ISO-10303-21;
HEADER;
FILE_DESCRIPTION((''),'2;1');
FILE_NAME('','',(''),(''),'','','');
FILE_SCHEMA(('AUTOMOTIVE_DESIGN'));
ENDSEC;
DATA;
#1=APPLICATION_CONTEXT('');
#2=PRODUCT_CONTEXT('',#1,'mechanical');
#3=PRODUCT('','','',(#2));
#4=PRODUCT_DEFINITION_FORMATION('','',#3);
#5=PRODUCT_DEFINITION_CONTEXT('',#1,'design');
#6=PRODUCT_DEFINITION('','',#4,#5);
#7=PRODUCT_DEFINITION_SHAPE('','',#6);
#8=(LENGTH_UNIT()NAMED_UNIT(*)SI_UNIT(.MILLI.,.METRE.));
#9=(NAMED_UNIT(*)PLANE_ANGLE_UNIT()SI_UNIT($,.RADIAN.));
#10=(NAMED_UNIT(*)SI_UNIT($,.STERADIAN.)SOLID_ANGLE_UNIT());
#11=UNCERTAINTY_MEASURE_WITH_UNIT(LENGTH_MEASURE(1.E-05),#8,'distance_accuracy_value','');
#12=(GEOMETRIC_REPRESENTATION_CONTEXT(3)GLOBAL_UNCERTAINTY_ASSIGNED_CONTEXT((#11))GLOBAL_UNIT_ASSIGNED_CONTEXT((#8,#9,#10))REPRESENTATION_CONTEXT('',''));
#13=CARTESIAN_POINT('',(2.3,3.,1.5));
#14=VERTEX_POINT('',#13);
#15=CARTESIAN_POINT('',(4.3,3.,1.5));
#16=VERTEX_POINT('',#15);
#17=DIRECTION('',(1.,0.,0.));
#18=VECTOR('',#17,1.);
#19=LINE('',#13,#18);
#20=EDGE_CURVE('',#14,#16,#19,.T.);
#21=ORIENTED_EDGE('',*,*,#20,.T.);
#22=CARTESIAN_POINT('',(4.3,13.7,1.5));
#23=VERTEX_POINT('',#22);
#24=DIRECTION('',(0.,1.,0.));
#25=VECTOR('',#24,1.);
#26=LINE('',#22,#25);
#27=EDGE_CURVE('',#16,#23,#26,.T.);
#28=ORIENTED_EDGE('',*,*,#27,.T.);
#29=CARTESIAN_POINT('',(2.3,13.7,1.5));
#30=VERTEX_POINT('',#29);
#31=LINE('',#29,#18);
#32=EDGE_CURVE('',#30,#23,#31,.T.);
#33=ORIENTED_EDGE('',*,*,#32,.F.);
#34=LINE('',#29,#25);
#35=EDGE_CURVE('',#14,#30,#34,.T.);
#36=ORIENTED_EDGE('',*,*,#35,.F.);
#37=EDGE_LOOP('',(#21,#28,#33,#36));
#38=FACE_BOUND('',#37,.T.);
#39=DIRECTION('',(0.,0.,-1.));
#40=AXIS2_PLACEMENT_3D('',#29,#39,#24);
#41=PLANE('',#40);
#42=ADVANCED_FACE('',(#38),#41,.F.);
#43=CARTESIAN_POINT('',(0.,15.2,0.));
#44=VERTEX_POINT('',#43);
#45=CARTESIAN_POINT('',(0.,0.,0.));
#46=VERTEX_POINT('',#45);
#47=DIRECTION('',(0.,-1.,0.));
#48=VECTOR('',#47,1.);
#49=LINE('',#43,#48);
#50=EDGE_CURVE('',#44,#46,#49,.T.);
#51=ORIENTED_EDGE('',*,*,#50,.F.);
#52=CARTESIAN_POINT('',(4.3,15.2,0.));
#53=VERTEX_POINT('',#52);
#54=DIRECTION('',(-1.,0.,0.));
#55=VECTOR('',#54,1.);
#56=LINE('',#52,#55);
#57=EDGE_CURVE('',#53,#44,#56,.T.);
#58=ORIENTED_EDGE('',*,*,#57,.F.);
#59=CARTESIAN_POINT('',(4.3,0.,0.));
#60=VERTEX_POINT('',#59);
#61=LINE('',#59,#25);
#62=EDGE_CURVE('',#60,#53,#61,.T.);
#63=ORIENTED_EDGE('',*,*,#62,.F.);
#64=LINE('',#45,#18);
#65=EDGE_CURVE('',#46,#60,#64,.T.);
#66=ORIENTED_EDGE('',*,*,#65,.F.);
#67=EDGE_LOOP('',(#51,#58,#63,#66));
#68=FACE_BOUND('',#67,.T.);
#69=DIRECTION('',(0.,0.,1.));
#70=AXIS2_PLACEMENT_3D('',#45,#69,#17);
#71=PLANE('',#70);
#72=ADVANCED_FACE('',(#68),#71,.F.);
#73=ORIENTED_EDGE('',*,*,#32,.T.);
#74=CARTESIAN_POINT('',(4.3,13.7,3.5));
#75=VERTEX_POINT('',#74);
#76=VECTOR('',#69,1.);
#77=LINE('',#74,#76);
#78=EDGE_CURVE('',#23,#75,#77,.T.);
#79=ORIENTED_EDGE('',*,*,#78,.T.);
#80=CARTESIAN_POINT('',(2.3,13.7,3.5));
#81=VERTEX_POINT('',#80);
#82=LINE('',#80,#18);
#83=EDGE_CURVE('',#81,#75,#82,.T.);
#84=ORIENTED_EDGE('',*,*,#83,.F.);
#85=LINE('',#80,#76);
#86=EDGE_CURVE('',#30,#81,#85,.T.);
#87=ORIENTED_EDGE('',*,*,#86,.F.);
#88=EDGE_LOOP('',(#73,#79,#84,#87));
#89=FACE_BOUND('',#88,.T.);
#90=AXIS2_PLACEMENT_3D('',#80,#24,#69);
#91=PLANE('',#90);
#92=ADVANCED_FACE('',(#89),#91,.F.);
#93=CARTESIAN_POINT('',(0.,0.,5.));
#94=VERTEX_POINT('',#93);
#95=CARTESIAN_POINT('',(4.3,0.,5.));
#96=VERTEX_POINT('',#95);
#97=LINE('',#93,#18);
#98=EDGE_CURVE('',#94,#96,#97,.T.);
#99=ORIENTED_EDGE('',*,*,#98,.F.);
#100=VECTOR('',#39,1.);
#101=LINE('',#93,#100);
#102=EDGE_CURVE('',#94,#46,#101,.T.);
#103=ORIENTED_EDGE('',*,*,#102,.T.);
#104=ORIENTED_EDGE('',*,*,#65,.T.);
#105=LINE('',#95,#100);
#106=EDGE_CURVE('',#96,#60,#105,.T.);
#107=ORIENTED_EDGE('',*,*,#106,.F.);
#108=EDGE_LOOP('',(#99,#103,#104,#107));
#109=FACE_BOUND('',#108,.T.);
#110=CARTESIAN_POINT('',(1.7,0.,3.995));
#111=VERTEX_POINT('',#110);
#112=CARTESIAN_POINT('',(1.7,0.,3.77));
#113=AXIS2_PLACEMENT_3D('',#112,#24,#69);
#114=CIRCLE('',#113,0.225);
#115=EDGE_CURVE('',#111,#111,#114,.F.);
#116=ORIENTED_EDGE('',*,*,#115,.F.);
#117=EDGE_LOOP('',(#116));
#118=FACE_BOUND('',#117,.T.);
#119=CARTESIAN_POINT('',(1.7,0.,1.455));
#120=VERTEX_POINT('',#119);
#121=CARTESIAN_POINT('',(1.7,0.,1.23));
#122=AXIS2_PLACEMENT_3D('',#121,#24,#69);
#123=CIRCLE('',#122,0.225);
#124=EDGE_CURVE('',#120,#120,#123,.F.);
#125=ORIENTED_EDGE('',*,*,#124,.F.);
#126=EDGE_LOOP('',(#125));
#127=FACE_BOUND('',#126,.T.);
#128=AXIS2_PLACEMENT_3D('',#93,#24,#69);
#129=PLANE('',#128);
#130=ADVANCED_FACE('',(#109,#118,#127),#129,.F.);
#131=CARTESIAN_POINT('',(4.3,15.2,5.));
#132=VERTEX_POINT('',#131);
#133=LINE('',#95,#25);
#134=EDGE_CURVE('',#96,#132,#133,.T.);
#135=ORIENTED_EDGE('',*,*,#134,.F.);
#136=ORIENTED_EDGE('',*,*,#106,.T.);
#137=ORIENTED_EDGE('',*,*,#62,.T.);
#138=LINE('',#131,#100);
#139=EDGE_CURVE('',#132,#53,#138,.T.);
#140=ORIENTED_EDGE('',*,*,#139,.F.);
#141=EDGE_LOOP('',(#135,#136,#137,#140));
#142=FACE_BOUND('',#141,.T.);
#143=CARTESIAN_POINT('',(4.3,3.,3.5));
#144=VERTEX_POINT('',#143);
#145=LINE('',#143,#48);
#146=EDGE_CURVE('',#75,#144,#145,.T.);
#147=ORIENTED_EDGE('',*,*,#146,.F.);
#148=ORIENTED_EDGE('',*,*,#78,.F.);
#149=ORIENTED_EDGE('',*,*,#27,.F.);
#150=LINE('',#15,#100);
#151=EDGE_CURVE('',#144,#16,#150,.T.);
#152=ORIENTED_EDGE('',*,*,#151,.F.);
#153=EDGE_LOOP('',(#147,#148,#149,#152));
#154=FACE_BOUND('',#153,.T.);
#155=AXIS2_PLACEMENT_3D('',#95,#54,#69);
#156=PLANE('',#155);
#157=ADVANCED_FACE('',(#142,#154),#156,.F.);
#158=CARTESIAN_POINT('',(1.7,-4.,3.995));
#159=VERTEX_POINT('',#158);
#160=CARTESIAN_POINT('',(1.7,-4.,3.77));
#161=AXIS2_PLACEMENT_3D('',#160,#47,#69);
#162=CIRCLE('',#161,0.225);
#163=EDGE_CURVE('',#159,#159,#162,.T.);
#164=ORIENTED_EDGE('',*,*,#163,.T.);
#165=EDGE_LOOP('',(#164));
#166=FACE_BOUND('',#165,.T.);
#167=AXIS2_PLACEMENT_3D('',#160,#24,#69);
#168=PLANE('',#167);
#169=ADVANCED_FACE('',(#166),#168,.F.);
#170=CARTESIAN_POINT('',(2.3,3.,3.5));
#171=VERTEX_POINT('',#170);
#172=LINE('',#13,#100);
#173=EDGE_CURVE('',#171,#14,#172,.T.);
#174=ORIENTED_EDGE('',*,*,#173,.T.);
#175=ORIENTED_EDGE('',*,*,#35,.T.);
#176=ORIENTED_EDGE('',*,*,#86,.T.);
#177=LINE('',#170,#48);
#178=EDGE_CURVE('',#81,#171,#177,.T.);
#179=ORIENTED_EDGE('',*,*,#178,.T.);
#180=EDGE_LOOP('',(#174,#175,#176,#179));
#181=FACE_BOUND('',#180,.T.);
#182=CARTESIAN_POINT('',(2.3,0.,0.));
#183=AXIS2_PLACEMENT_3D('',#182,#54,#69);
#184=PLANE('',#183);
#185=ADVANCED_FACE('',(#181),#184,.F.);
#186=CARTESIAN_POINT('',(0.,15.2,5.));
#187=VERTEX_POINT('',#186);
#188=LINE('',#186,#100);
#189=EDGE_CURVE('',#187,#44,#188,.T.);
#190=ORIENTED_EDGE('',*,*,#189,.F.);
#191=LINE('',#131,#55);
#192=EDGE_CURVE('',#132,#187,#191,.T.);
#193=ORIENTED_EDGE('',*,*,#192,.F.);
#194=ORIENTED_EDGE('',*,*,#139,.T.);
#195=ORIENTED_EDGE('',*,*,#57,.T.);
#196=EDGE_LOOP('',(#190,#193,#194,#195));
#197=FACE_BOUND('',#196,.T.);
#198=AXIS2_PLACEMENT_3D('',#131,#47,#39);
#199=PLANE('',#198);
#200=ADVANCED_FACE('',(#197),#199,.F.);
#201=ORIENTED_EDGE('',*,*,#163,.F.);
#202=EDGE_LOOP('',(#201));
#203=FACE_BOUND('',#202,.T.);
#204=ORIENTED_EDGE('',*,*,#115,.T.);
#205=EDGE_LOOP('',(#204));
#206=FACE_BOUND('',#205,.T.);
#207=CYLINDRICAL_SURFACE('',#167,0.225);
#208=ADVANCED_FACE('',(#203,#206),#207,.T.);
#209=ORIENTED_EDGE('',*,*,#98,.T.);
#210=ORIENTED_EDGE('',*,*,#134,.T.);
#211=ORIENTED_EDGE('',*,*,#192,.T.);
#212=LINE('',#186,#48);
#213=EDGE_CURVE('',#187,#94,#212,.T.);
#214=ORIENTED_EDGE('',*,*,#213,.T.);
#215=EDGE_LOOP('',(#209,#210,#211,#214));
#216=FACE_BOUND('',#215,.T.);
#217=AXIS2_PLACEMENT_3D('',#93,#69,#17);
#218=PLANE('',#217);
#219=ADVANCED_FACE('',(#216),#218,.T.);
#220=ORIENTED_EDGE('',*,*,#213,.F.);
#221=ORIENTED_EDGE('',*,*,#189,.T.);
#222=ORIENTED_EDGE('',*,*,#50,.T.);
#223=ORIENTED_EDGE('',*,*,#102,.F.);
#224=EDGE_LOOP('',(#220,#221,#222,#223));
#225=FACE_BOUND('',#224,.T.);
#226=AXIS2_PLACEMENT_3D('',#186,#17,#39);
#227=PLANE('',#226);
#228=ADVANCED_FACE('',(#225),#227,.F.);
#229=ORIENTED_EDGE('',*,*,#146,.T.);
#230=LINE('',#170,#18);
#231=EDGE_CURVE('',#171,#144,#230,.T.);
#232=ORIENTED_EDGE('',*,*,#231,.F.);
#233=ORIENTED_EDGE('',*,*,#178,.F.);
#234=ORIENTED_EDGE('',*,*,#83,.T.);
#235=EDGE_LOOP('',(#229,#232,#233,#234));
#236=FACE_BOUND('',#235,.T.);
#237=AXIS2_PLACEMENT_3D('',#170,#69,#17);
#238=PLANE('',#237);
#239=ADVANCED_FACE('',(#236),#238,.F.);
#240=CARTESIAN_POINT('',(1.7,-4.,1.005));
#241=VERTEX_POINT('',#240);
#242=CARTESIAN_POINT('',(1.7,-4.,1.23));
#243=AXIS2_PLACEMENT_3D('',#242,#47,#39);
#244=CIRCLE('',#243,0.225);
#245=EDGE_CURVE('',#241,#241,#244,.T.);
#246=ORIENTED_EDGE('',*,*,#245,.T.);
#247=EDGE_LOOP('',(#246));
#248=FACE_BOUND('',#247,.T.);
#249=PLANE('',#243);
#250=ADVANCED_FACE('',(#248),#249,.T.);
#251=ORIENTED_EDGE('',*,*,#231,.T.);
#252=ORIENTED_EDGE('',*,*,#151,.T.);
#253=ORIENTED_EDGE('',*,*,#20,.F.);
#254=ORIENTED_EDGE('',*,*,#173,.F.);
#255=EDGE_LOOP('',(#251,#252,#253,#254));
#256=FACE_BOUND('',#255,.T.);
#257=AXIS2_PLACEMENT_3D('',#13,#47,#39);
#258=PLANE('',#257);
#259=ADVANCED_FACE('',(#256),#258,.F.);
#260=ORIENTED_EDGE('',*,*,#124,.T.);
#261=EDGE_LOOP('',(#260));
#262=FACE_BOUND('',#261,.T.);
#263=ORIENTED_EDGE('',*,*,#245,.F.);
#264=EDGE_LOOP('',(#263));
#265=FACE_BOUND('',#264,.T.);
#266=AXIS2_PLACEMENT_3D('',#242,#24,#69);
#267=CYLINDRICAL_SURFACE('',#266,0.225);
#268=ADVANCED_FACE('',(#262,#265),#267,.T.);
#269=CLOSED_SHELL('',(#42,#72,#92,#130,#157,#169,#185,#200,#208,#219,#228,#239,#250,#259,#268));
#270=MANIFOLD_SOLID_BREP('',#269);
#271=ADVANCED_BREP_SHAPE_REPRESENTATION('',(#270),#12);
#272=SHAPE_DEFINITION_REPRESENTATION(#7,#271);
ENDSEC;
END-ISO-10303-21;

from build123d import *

# Parameters (mm, degrees)
SKETCH1_W           = 4.3
SKETCH1_H           = 15.2
BOSS_EXTRUDE1_DEPTH = 5
SKETCH2_W           = 2
SKETCH2_H           = 10.7
CUT_EXTRUDE1_DEPTH  = 2
SKETCH3_R           = 0.225
BOSS_EXTRUDE2_DEPTH = 4


with BuildPart() as part:
    # Sketch1 → Boss-Extrude1 (new body)
    with BuildSketch(Plane.XY):
        with Locations((2.15, 7.6)):
            Rectangle(SKETCH1_W, SKETCH1_H)
    extrude(amount=BOSS_EXTRUDE1_DEPTH)

    # Sketch2 → Cut-Extrude1 (cut)
    with BuildSketch(Plane(origin=(4.3, 0, 0), x_dir=(0, 0, -1), z_dir=(1, 0, 0))):
        with Locations((-2.5, 8.35)):
            Rectangle(SKETCH2_W, SKETCH2_H)
    extrude(amount=-CUT_EXTRUDE1_DEPTH, mode=Mode.SUBTRACT)

    # Sketch3 → Boss-Extrude2 (add)
    with BuildSketch(Plane.XZ):
        with Locations((1.7, 1.23)):
            Circle(SKETCH3_R)
        with Locations((1.7, 3.77)):
            Circle(SKETCH3_R)
    extrude(amount=BOSS_EXTRUDE2_DEPTH)


solid = part.part
